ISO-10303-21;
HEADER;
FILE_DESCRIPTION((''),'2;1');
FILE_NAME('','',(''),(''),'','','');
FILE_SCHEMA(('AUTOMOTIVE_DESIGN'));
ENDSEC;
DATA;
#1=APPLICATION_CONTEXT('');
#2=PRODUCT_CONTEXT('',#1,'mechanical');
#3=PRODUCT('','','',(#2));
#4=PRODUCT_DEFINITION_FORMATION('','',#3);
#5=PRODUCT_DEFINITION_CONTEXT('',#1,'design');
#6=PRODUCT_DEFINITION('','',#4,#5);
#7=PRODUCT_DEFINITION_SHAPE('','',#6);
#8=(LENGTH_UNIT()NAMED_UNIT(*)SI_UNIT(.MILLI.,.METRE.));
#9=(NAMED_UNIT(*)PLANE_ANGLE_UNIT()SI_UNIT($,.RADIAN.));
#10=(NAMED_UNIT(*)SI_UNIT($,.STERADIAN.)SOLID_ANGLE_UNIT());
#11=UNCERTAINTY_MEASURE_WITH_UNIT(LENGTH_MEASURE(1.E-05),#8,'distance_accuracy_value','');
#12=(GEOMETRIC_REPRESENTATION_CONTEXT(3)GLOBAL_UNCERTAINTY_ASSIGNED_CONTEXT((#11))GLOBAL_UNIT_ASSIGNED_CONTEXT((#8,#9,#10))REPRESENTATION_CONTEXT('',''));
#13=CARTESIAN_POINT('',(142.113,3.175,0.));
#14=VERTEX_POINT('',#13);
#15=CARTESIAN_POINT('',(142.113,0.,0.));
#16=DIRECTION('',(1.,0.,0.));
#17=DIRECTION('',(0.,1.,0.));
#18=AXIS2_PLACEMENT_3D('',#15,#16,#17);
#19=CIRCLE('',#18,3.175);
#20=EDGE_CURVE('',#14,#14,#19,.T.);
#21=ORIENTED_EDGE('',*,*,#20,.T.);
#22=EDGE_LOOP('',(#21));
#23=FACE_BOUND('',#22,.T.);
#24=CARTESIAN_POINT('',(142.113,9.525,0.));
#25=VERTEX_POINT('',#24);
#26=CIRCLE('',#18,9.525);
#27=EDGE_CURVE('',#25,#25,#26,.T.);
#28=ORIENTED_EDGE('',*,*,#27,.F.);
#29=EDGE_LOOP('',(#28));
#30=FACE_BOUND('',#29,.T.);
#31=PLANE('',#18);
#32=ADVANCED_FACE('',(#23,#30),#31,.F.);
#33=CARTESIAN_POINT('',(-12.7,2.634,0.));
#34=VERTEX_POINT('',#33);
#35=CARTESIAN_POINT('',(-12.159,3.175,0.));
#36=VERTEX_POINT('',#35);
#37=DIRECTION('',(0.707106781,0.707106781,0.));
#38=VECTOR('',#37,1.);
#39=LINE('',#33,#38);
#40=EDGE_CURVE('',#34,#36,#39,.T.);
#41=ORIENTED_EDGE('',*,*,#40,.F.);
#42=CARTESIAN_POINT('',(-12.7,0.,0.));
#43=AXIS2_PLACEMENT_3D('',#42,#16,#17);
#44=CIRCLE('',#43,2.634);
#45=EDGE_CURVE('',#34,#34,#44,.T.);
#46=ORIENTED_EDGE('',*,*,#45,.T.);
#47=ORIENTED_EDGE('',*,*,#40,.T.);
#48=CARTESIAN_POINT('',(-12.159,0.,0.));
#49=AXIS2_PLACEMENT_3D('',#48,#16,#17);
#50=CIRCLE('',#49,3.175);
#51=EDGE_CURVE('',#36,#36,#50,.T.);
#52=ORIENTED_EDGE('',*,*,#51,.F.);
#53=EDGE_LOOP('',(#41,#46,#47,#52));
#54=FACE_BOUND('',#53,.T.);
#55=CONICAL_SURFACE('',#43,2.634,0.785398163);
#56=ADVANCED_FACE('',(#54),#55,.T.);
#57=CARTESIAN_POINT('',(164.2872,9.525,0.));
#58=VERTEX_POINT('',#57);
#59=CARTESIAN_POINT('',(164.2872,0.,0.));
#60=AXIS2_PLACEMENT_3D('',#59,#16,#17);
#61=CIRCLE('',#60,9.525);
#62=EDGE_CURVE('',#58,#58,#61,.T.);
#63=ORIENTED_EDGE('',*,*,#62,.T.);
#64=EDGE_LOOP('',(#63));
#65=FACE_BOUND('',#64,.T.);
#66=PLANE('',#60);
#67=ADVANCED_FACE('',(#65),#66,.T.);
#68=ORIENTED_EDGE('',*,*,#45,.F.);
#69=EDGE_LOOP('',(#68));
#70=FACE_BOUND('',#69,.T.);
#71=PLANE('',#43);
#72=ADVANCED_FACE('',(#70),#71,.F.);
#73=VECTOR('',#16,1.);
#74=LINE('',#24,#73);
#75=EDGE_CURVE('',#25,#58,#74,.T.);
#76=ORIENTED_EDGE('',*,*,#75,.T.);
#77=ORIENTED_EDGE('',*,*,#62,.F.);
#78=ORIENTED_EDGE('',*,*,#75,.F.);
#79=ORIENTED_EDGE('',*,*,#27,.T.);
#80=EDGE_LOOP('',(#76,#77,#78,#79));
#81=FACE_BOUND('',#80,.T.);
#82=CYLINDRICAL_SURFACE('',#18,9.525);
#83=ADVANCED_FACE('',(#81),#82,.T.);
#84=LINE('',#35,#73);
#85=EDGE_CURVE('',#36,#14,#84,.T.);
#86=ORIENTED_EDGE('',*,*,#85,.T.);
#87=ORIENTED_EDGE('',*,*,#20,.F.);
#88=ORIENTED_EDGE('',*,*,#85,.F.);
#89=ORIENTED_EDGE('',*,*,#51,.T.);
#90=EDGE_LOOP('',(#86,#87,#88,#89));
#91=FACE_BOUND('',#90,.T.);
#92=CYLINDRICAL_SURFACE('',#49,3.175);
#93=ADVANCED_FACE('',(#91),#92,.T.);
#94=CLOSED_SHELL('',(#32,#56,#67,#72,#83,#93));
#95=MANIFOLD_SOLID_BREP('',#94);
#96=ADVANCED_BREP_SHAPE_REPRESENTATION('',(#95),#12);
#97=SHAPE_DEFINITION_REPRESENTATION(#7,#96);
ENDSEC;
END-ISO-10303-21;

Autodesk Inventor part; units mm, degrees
sketch "Sketch_1" plane through (0, 0, 0) normal (0, 0, 1) x (1, 0, 0)
  line L0 (164.2872, 0) -> (0, 0)
  line L1 (0, 0) -> (0, 3.175)
  line L2 (0, 3.175) -> (164.2872, 3.175)
  line L3 (164.2872, 3.175) -> (164.2872, 0)
  line L4 (164.2872, 0) -> (0, 0)
revolve "Revolution1" add sketch "Sketch_1" angle 360 about axis through (164.2872, 0, 0) along (1, 0, 0)
sketch "Sketch_3" plane through (0, 0, 0) normal (0, 0, 1) x (1, 0, 0)
  line L0 (164.2872, 0) -> (142.113, 0)
  line L1 (142.113, 0) -> (142.113, 9.525)
  line L2 (142.113, 9.525) -> (164.2872, 9.525)
  line L3 (164.2872, 9.525) -> (164.2872, 0)
  line L4 (164.2872, 0) -> (142.113, 0)
revolve "Revolution2" add sketch "Sketch_3" angle 360 about axis through (164.2872, 0, 0) along (1, 0, 0)
sketch "Sketch_4" plane through (0, 0, 0) normal (0, 0, 1) x (1, 0, 0)
  line L0 (0, 0) -> (-12.7, 0)
  line L1 (-12.7, 0) -> (-12.7, 2.634)
  line L2 (-12.7, 2.634) -> (-12.159, 3.175)
  line L3 (-12.159, 3.175) -> (0, 3.175)
  line L4 (0, 3.175) -> (0, 0)
  line L5 (0, 0) -> (-12.7, 0)
revolve "Revolution3" add sketch "Sketch_4" angle 360 about axis through (0, 0, 0) along (1, 0, 0)
ref_plane "a_XY" through (-12.7, 0, 0) normal (1, 0, 0) x (0, 0, -1)
ref_plane "a_YZ" through (-12.7, 0, 0) normal (0, 0, -1) x (0, 1, 0)
ref_plane "a_ZX" through (-12.7, 0, 0) normal (0, 1, 0) x (1, 0, 0)
ref_plane "c1_XY" through (0, 0, 0) normal (1, 0, 0) x (0, 0, -1)
ref_plane "c1_YZ" through (0, 0, 0) normal (0, 0, -1) x (0, 1, 0)
ref_plane "c1_ZX" through (0, 0, 0) normal (0, 1, 0) x (1, 0, 0)
ref_plane "cc1_XY" through (0, 0, -3.175) normal (1, 0, 0) x (0, 0, -1)
ref_plane "cc1_YZ" through (0, 0, -3.175) normal (0, 0, -1) x (0, 1, 0)
ref_plane "cc1_ZX" through (0, 0, -3.175) normal (0, 1, 0) x (1, 0, 0)
ref_plane "cc2_XY" through (0, 0, 3.175) normal (1, 0, 0) x (0, 0, -1)
ref_plane "cc2_YZ" through (0, 0, 3.175) normal (0, 0, -1) x (0, 1, 0)
ref_plane "cc2_ZX" through (0, 0, 3.175) normal (0, 1, 0) x (1, 0, 0)
ref_plane "kk_XY" through (-6.35, 0, 3.175) normal (1, 0, 0) x (0, 0, -1)
ref_plane "kk_YZ" through (-6.35, 0, 3.175) normal (0, 0, -1) x (0, 1, 0)
ref_plane "kk_ZX" through (-6.35, 0, 3.175) normal (0, 1, 0) x (1, 0, 0)
ref_plane "rod_XY" through (164.2872, 0, 0) normal (1, 0, 0) x (0, 0, -1)
ref_plane "rod_YZ" through (164.2872, 0, 0) normal (0, 0, -1) x (0, 1, 0)
ref_plane "rod_ZX" through (164.2872, 0, 0) normal (0, 1, 0) x (1, 0, 0)
properties part number "6.4680.8730.50.500Double acting_00_006.4680.500.75N"
